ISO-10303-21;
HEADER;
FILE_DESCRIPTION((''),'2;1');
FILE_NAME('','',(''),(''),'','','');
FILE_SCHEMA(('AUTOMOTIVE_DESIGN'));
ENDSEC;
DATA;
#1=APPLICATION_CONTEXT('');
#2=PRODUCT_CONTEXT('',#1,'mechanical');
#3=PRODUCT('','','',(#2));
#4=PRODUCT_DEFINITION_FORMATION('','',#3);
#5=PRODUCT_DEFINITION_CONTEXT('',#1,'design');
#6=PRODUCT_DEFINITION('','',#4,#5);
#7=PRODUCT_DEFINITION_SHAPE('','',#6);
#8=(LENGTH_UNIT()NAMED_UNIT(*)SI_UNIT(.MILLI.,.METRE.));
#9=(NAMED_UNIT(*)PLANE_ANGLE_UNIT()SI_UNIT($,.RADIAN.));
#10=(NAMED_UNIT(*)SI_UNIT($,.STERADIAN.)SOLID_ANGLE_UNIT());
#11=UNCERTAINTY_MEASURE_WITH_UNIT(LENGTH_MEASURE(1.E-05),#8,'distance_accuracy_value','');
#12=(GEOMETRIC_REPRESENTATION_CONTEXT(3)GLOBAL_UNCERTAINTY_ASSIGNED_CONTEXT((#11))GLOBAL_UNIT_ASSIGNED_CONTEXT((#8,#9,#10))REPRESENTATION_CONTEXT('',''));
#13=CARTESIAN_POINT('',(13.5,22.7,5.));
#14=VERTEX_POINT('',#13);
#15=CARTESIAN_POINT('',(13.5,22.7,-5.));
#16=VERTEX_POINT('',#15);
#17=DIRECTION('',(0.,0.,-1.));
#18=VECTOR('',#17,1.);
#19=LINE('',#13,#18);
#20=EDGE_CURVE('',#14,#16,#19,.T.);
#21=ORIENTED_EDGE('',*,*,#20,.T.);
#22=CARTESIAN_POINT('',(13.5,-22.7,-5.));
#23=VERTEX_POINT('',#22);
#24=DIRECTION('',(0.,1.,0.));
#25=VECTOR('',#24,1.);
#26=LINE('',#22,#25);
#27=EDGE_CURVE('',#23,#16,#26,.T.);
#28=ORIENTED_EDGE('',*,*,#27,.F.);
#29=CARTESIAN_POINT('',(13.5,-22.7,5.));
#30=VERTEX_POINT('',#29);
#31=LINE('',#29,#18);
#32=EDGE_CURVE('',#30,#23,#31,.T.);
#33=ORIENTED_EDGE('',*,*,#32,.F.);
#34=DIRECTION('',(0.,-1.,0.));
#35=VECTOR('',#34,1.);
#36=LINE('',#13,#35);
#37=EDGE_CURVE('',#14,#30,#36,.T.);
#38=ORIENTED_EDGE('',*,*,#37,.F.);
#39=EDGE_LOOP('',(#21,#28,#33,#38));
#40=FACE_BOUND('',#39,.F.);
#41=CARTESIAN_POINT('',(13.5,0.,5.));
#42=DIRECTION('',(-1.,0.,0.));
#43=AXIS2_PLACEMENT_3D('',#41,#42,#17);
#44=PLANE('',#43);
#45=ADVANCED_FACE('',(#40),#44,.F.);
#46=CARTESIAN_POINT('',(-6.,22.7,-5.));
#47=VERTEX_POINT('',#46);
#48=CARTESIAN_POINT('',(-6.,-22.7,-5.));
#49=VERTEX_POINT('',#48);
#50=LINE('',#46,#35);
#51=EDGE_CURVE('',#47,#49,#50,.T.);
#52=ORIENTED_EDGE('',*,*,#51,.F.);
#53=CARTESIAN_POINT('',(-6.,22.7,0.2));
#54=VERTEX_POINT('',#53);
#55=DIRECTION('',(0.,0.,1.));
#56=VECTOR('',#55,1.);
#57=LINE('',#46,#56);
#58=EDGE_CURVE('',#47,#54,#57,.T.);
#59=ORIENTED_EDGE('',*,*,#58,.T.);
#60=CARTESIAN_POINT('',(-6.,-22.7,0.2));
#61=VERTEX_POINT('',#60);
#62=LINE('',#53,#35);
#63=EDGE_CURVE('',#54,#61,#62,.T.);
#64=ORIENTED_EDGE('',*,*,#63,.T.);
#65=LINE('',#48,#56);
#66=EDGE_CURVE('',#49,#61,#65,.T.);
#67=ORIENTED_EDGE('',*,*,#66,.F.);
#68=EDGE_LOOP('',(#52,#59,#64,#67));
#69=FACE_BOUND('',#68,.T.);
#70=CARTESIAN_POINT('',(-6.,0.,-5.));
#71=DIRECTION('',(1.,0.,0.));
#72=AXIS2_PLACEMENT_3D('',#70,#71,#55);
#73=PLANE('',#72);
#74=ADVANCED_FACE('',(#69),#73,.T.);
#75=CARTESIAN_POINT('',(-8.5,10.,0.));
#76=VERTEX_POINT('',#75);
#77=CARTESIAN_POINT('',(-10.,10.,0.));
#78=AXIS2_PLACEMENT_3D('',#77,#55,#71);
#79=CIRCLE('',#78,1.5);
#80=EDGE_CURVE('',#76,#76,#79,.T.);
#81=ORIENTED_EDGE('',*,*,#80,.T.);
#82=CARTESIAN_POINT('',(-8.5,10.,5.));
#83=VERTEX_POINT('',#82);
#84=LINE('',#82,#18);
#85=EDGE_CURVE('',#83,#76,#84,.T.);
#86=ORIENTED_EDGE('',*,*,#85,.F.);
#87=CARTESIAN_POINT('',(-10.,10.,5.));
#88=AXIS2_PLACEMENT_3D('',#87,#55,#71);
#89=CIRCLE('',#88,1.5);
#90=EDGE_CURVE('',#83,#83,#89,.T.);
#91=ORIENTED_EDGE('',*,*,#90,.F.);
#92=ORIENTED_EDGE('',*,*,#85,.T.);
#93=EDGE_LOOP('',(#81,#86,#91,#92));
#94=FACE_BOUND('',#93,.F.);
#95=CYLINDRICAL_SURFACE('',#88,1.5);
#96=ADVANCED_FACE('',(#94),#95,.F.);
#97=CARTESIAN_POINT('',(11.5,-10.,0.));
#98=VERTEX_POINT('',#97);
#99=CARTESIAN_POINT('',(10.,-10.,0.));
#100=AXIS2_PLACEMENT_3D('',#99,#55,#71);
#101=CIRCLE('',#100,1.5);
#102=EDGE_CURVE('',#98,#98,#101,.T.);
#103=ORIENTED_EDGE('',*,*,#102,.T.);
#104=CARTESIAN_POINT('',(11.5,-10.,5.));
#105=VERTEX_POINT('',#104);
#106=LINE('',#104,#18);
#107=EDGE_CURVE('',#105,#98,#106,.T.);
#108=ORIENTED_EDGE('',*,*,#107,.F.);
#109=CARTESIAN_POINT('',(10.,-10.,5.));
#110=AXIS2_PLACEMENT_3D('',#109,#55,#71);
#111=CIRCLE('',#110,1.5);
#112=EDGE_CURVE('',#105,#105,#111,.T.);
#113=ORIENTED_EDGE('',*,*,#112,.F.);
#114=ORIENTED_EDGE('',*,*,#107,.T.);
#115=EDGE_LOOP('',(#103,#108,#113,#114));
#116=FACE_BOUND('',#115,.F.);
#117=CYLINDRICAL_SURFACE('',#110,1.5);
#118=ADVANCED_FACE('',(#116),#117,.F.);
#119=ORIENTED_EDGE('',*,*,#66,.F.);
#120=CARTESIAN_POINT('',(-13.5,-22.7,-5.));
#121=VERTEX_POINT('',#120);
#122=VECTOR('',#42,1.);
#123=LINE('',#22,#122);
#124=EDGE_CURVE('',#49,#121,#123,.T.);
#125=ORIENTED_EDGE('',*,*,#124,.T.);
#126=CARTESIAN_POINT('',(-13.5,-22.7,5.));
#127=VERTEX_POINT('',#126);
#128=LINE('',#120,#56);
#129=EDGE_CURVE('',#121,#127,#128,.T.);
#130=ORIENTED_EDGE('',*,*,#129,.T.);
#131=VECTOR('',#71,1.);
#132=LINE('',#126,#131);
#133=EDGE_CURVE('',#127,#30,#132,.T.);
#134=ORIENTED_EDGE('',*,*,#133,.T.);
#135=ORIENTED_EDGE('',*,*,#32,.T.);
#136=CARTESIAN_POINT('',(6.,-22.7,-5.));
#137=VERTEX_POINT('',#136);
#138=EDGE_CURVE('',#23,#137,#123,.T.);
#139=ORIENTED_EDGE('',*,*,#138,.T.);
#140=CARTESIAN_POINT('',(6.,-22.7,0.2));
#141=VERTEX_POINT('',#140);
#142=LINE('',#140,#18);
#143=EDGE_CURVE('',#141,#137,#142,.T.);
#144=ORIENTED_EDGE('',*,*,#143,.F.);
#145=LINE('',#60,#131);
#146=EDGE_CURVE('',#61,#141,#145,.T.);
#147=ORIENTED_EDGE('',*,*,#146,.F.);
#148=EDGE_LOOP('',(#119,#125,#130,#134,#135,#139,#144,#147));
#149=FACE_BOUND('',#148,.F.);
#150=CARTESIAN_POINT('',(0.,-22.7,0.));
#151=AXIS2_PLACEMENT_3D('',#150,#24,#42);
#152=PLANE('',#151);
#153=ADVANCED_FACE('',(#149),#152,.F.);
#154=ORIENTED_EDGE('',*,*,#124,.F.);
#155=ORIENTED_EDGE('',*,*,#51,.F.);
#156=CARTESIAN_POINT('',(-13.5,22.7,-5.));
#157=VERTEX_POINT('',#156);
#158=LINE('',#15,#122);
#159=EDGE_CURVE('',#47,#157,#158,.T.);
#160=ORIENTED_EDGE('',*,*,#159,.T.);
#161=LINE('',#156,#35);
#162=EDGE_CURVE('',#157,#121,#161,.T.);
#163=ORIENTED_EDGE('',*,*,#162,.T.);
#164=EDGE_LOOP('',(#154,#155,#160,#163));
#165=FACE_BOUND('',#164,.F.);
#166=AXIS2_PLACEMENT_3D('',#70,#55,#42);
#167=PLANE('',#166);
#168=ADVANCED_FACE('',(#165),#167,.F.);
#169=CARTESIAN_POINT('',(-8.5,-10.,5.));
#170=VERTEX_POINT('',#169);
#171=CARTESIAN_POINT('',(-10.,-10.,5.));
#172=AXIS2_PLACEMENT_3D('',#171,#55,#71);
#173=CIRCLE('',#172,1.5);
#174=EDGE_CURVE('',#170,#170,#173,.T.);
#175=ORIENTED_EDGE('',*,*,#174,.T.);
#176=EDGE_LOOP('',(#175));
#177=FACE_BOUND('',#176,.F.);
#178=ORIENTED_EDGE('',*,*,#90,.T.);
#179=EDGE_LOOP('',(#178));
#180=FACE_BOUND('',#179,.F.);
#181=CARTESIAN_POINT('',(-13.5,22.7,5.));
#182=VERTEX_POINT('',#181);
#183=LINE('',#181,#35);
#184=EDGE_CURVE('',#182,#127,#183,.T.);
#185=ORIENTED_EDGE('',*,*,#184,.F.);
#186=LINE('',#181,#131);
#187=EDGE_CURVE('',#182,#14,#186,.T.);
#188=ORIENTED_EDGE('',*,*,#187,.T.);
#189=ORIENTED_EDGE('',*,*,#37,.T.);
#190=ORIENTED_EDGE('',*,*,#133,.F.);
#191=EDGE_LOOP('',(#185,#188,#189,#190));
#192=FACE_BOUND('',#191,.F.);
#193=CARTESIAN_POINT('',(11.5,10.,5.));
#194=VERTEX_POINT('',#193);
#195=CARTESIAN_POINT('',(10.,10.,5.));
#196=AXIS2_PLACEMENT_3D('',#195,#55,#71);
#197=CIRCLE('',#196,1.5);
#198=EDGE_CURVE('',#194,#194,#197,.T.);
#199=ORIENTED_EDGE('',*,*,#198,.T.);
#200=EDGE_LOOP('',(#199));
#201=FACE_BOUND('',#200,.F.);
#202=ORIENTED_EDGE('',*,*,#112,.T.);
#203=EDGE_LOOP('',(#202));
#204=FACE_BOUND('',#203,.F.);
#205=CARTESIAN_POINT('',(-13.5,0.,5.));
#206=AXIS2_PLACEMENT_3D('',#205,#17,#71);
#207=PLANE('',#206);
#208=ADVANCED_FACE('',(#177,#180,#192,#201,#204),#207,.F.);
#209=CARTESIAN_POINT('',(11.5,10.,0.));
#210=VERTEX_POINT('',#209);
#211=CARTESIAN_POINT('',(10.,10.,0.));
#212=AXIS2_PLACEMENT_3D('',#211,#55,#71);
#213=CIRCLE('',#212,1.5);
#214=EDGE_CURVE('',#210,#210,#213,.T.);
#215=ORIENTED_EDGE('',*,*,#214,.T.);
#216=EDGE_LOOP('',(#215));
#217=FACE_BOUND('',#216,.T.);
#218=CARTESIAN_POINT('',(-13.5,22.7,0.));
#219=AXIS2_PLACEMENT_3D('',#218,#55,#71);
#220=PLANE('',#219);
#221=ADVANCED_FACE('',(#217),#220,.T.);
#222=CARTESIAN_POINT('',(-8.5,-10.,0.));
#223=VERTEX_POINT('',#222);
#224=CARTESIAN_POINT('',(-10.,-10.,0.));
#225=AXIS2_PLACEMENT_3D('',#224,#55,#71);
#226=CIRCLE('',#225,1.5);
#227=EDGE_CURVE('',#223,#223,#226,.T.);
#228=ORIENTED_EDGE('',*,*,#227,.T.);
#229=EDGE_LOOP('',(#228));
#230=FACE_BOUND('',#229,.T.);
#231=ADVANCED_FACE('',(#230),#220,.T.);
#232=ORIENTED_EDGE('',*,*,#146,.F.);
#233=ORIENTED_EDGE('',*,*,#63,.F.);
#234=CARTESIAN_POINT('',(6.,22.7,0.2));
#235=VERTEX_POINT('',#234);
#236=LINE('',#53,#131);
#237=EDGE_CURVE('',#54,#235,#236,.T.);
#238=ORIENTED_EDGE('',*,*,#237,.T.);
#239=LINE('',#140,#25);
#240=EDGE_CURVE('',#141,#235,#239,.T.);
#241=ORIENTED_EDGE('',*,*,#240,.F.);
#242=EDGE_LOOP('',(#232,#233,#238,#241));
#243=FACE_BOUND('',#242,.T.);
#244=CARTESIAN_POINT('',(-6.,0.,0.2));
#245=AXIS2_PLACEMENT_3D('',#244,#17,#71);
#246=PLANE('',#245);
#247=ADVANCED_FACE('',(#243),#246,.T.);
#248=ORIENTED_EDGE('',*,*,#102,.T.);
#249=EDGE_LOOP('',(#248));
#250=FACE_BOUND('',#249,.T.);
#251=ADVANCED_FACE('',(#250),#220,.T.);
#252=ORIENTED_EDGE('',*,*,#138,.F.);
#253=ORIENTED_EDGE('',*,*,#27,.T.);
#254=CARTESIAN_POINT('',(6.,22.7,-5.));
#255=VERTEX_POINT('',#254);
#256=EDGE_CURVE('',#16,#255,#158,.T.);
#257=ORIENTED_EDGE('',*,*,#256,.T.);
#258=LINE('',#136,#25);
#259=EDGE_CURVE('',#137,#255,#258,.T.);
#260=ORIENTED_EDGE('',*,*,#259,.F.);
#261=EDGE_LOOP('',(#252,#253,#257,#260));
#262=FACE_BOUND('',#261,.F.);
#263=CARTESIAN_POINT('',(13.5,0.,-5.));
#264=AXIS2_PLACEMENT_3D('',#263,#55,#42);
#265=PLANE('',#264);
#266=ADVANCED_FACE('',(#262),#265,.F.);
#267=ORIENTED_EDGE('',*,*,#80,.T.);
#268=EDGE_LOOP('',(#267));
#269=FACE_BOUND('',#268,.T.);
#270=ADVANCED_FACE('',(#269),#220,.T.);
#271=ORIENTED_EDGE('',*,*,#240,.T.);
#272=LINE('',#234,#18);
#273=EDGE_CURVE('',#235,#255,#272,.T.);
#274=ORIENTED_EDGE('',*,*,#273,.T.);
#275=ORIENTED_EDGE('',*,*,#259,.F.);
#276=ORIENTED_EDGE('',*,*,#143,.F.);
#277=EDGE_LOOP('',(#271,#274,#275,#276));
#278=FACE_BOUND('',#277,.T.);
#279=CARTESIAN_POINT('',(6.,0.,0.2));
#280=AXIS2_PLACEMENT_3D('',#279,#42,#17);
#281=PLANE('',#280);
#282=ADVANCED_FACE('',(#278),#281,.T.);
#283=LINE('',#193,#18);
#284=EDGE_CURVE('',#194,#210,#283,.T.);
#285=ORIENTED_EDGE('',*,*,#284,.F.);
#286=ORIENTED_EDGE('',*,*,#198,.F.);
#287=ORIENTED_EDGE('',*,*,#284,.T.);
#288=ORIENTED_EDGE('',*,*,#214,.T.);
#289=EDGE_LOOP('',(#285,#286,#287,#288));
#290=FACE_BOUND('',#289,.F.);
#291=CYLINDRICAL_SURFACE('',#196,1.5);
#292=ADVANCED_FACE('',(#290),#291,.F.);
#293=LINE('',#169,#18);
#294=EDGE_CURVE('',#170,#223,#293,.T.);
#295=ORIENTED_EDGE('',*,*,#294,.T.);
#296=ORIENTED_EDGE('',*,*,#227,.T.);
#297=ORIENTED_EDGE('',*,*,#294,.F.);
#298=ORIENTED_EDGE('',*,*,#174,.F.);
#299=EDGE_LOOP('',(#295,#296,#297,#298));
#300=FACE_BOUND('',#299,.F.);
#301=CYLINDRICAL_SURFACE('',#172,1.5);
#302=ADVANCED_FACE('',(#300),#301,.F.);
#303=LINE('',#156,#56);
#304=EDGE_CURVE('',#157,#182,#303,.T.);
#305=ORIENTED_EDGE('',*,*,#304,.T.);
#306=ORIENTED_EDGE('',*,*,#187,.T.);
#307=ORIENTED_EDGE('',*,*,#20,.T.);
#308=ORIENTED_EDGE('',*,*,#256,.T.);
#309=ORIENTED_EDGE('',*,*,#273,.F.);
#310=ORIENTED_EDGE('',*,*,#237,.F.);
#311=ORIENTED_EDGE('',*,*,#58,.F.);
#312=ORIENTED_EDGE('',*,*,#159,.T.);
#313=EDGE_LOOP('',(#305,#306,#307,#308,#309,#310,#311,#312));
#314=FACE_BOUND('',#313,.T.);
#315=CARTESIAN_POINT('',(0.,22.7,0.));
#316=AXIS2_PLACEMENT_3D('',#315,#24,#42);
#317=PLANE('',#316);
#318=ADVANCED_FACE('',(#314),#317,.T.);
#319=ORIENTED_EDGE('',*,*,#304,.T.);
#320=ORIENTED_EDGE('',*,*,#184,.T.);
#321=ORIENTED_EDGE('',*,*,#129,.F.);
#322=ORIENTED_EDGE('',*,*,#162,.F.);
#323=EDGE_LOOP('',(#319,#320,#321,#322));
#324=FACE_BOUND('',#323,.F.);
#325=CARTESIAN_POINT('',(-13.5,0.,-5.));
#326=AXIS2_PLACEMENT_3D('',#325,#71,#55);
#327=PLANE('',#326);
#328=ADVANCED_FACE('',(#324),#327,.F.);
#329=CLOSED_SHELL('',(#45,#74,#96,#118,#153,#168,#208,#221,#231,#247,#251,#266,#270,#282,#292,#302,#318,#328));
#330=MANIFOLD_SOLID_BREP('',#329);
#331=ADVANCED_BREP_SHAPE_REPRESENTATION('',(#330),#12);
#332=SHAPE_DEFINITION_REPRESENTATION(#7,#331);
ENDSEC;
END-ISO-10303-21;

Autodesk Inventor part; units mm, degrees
sketch "Эскиз1" plane through (0, 0, 0) normal (0, 1, 0) x (-1, 0, 0)
  line L0 (-13.5, -5) -> (13.5, -5)
  line L1 (13.5, -5) -> (13.5, 5)
  line L2 (13.5, 5) -> (-13.5, 5)
  line L3 (-13.5, 5) -> (-13.5, -5)
  line L4 (-13.5, -5) -> (13.5, 5) construction
  line L5 (13.5, -5) -> (-13.5, 5) construction
  line L6 (-6, -5) -> (6, -5)
  line L7 (6, -5) -> (6, 0.2)
  line L8 (6, 0.2) -> (-6, 0.2)
  line L9 (-6, 0.2) -> (-6, -5)
  line L10 (0, -7) -> (0, 7) construction
  point P0 (0, 0)
  point P1 (0, 0.2)
  dimension "d0" = 27
  dimension "d1" = 10
  dimension "d2" = 12
  dimension "d3" = 5.2
extrude "Выдавливание1" add sketch "Эскиз1" along normal mid plane 45.4 contours L3 L2 L1 L0 L7 L8 L9
sketch "Эскиз2" plane through (-13.5, 22.7, 5) normal (0, 0, 1) x (1, 0, 0)
  circle A0 centre (3.5, -12.7) radius 1.5
  circle A1 centre (3.5, -32.7) radius 1.5
  circle A2 centre (23.5, -12.7) radius 1.5
  circle A3 centre (23.5, -32.7) radius 1.5
  line L0 (3.5, -12.7) -> (3.5, -32.7) construction
  line L1 (3.5, -32.7) -> (23.5, -12.7) construction
  line L2 (23.5, -12.7) -> (3.5, -12.7) construction
  line L3 (23.5, -32.7) -> (23.5, -12.7) construction
  line L4 (3.5, -32.7) -> (23.5, -32.7) construction
  line L5 (23.5, -32.7) -> (3.5, -12.7) construction
  point P0 (13.5, -22.7)
  point P1 (13.5, -22.7)
  dimension "d6" = 3
  dimension "d7" = 20
  dimension "d8" = 20
extrude "Выдавливание2" cut sketch "Эскиз2" against normal blind 5
properties part number "Каретка"
